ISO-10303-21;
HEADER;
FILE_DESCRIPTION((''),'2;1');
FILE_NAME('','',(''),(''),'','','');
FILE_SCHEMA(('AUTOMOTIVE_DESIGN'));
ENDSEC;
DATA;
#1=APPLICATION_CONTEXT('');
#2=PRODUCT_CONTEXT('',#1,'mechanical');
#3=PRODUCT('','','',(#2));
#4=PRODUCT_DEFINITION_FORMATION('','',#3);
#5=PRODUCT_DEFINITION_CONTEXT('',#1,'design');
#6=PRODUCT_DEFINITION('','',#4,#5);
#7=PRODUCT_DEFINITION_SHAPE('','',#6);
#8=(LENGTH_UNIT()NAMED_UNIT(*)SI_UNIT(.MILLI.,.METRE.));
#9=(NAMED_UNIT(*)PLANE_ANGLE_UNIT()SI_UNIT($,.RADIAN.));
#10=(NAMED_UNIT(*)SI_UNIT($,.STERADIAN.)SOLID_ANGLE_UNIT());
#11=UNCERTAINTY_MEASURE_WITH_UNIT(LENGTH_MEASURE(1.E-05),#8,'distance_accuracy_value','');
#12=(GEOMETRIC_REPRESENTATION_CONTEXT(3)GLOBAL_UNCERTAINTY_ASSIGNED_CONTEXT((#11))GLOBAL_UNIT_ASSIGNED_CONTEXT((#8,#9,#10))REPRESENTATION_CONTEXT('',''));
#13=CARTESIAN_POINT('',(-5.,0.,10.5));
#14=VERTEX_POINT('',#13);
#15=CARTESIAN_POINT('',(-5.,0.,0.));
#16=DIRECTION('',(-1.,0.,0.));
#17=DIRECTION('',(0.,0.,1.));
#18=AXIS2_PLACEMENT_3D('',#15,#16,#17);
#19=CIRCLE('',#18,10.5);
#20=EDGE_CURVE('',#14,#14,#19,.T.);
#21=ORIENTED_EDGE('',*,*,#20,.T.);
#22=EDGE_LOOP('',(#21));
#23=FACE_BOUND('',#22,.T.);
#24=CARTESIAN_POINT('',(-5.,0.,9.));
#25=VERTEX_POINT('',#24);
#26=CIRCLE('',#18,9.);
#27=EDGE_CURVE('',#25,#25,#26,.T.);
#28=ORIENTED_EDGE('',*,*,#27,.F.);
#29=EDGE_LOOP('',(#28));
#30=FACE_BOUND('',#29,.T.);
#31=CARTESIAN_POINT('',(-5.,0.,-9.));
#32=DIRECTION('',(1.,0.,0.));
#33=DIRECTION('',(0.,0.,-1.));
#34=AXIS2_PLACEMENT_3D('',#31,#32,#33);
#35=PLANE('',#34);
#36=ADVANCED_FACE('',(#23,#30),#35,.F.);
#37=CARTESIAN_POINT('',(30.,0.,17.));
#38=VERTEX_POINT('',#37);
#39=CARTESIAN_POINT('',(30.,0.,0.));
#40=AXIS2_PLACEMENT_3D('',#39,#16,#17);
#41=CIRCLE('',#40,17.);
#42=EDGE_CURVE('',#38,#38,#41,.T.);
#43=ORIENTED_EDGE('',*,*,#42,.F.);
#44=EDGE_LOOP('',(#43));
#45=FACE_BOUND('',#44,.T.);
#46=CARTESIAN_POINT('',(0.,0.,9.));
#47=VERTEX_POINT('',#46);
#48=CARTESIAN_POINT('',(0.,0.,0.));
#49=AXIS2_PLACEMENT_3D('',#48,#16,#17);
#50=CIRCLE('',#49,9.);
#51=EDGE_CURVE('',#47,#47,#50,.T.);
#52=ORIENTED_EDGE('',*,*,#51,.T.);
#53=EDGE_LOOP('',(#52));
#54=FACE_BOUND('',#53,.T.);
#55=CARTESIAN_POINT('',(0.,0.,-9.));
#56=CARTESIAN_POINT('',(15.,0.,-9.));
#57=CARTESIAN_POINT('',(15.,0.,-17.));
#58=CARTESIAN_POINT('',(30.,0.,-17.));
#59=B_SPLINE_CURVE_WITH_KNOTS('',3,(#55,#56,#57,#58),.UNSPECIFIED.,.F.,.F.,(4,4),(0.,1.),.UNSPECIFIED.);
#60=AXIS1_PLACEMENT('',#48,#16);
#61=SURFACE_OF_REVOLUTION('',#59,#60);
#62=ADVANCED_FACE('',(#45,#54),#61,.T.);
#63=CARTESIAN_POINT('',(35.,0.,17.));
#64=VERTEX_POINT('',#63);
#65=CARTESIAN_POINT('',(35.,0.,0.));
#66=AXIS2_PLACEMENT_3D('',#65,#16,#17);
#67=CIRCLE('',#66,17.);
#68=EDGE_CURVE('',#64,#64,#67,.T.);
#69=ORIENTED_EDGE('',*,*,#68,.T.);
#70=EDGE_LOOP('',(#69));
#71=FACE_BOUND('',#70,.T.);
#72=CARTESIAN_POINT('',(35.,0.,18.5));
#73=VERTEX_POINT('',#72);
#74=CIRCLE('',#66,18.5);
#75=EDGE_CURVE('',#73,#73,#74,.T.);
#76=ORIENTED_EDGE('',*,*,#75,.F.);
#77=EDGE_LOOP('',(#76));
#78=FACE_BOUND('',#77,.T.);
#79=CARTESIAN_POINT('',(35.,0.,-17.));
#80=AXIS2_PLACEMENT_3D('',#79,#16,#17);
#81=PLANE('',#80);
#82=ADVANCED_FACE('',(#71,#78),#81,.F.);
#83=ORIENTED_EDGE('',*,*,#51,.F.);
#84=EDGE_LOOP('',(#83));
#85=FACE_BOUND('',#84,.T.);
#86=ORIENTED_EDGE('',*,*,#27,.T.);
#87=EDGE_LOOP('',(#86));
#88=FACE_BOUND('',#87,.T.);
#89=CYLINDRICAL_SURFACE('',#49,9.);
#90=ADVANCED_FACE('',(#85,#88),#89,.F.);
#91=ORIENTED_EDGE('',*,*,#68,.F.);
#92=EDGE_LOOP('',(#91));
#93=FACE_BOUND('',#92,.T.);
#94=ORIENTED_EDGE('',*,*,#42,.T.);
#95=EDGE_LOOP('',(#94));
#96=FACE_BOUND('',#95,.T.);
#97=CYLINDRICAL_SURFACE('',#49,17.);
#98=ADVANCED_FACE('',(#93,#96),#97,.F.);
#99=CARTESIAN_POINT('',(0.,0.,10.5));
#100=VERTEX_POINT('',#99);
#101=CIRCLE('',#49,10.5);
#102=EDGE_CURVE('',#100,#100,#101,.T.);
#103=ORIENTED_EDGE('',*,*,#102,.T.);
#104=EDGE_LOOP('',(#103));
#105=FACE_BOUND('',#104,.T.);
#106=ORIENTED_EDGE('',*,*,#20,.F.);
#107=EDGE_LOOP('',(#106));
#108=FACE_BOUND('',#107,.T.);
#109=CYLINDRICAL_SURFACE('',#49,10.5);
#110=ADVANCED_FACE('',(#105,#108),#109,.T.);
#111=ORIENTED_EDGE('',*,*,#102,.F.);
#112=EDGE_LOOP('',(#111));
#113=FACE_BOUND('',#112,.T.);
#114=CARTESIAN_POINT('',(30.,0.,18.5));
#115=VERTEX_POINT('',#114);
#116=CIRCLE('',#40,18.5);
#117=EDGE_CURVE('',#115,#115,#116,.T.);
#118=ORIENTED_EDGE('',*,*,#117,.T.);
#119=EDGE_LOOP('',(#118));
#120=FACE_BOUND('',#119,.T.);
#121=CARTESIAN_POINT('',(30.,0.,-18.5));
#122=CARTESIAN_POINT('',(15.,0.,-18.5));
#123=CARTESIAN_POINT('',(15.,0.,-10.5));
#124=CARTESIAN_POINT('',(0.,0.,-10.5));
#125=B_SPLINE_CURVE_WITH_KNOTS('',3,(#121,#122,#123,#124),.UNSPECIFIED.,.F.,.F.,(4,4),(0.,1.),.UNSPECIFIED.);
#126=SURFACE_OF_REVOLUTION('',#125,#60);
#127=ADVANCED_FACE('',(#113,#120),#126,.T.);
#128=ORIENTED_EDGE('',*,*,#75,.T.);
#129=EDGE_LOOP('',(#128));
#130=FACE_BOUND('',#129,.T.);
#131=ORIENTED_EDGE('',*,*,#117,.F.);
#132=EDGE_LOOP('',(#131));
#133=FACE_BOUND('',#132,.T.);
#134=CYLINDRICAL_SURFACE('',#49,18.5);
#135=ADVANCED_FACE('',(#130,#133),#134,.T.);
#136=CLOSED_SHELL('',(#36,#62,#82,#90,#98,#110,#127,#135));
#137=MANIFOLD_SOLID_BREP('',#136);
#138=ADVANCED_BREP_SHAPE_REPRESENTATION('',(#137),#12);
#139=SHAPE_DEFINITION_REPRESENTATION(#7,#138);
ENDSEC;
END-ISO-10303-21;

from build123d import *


with BuildPart() as part:
    # Sketch1 → Revolve1 (revolve)
    with BuildSketch(Plane(origin=(0, 0, 0), x_dir=(1, 0, 0), z_dir=(0, 1, 0)), mode=Mode.PRIVATE) as revolve1_sk:
        with BuildLine():
            Line((0, 9), (-5, 9))
            Line((-5, 9), (-5, 10.5))
            Line((-5, 10.5), (0, 10.5))
            add(Edge.make_bspline(
                [(0, 10.5), (15, 10.5), (15, 18.5), (30, 18.5)],
                knots=[0, 0, 0, 0, 1, 1, 1, 1], degree=3))
            Line((30, 18.5), (35, 18.5))
            Line((35, 18.5), (35, 17))
            Line((35, 17), (30, 17))
            add(Edge.make_bspline(
                [(0, 9), (15, 9), (15, 17), (30, 17)],
                knots=[0, 0, 0, 0, 1, 1, 1, 1], degree=3))
        make_face()
    revolve(revolve1_sk.sketch.rotate(Axis((0, 0, 0), (1, 0, 0)), 180), axis=Axis((0, 0, 0), (1, 0, 0)))


solid = part.part
